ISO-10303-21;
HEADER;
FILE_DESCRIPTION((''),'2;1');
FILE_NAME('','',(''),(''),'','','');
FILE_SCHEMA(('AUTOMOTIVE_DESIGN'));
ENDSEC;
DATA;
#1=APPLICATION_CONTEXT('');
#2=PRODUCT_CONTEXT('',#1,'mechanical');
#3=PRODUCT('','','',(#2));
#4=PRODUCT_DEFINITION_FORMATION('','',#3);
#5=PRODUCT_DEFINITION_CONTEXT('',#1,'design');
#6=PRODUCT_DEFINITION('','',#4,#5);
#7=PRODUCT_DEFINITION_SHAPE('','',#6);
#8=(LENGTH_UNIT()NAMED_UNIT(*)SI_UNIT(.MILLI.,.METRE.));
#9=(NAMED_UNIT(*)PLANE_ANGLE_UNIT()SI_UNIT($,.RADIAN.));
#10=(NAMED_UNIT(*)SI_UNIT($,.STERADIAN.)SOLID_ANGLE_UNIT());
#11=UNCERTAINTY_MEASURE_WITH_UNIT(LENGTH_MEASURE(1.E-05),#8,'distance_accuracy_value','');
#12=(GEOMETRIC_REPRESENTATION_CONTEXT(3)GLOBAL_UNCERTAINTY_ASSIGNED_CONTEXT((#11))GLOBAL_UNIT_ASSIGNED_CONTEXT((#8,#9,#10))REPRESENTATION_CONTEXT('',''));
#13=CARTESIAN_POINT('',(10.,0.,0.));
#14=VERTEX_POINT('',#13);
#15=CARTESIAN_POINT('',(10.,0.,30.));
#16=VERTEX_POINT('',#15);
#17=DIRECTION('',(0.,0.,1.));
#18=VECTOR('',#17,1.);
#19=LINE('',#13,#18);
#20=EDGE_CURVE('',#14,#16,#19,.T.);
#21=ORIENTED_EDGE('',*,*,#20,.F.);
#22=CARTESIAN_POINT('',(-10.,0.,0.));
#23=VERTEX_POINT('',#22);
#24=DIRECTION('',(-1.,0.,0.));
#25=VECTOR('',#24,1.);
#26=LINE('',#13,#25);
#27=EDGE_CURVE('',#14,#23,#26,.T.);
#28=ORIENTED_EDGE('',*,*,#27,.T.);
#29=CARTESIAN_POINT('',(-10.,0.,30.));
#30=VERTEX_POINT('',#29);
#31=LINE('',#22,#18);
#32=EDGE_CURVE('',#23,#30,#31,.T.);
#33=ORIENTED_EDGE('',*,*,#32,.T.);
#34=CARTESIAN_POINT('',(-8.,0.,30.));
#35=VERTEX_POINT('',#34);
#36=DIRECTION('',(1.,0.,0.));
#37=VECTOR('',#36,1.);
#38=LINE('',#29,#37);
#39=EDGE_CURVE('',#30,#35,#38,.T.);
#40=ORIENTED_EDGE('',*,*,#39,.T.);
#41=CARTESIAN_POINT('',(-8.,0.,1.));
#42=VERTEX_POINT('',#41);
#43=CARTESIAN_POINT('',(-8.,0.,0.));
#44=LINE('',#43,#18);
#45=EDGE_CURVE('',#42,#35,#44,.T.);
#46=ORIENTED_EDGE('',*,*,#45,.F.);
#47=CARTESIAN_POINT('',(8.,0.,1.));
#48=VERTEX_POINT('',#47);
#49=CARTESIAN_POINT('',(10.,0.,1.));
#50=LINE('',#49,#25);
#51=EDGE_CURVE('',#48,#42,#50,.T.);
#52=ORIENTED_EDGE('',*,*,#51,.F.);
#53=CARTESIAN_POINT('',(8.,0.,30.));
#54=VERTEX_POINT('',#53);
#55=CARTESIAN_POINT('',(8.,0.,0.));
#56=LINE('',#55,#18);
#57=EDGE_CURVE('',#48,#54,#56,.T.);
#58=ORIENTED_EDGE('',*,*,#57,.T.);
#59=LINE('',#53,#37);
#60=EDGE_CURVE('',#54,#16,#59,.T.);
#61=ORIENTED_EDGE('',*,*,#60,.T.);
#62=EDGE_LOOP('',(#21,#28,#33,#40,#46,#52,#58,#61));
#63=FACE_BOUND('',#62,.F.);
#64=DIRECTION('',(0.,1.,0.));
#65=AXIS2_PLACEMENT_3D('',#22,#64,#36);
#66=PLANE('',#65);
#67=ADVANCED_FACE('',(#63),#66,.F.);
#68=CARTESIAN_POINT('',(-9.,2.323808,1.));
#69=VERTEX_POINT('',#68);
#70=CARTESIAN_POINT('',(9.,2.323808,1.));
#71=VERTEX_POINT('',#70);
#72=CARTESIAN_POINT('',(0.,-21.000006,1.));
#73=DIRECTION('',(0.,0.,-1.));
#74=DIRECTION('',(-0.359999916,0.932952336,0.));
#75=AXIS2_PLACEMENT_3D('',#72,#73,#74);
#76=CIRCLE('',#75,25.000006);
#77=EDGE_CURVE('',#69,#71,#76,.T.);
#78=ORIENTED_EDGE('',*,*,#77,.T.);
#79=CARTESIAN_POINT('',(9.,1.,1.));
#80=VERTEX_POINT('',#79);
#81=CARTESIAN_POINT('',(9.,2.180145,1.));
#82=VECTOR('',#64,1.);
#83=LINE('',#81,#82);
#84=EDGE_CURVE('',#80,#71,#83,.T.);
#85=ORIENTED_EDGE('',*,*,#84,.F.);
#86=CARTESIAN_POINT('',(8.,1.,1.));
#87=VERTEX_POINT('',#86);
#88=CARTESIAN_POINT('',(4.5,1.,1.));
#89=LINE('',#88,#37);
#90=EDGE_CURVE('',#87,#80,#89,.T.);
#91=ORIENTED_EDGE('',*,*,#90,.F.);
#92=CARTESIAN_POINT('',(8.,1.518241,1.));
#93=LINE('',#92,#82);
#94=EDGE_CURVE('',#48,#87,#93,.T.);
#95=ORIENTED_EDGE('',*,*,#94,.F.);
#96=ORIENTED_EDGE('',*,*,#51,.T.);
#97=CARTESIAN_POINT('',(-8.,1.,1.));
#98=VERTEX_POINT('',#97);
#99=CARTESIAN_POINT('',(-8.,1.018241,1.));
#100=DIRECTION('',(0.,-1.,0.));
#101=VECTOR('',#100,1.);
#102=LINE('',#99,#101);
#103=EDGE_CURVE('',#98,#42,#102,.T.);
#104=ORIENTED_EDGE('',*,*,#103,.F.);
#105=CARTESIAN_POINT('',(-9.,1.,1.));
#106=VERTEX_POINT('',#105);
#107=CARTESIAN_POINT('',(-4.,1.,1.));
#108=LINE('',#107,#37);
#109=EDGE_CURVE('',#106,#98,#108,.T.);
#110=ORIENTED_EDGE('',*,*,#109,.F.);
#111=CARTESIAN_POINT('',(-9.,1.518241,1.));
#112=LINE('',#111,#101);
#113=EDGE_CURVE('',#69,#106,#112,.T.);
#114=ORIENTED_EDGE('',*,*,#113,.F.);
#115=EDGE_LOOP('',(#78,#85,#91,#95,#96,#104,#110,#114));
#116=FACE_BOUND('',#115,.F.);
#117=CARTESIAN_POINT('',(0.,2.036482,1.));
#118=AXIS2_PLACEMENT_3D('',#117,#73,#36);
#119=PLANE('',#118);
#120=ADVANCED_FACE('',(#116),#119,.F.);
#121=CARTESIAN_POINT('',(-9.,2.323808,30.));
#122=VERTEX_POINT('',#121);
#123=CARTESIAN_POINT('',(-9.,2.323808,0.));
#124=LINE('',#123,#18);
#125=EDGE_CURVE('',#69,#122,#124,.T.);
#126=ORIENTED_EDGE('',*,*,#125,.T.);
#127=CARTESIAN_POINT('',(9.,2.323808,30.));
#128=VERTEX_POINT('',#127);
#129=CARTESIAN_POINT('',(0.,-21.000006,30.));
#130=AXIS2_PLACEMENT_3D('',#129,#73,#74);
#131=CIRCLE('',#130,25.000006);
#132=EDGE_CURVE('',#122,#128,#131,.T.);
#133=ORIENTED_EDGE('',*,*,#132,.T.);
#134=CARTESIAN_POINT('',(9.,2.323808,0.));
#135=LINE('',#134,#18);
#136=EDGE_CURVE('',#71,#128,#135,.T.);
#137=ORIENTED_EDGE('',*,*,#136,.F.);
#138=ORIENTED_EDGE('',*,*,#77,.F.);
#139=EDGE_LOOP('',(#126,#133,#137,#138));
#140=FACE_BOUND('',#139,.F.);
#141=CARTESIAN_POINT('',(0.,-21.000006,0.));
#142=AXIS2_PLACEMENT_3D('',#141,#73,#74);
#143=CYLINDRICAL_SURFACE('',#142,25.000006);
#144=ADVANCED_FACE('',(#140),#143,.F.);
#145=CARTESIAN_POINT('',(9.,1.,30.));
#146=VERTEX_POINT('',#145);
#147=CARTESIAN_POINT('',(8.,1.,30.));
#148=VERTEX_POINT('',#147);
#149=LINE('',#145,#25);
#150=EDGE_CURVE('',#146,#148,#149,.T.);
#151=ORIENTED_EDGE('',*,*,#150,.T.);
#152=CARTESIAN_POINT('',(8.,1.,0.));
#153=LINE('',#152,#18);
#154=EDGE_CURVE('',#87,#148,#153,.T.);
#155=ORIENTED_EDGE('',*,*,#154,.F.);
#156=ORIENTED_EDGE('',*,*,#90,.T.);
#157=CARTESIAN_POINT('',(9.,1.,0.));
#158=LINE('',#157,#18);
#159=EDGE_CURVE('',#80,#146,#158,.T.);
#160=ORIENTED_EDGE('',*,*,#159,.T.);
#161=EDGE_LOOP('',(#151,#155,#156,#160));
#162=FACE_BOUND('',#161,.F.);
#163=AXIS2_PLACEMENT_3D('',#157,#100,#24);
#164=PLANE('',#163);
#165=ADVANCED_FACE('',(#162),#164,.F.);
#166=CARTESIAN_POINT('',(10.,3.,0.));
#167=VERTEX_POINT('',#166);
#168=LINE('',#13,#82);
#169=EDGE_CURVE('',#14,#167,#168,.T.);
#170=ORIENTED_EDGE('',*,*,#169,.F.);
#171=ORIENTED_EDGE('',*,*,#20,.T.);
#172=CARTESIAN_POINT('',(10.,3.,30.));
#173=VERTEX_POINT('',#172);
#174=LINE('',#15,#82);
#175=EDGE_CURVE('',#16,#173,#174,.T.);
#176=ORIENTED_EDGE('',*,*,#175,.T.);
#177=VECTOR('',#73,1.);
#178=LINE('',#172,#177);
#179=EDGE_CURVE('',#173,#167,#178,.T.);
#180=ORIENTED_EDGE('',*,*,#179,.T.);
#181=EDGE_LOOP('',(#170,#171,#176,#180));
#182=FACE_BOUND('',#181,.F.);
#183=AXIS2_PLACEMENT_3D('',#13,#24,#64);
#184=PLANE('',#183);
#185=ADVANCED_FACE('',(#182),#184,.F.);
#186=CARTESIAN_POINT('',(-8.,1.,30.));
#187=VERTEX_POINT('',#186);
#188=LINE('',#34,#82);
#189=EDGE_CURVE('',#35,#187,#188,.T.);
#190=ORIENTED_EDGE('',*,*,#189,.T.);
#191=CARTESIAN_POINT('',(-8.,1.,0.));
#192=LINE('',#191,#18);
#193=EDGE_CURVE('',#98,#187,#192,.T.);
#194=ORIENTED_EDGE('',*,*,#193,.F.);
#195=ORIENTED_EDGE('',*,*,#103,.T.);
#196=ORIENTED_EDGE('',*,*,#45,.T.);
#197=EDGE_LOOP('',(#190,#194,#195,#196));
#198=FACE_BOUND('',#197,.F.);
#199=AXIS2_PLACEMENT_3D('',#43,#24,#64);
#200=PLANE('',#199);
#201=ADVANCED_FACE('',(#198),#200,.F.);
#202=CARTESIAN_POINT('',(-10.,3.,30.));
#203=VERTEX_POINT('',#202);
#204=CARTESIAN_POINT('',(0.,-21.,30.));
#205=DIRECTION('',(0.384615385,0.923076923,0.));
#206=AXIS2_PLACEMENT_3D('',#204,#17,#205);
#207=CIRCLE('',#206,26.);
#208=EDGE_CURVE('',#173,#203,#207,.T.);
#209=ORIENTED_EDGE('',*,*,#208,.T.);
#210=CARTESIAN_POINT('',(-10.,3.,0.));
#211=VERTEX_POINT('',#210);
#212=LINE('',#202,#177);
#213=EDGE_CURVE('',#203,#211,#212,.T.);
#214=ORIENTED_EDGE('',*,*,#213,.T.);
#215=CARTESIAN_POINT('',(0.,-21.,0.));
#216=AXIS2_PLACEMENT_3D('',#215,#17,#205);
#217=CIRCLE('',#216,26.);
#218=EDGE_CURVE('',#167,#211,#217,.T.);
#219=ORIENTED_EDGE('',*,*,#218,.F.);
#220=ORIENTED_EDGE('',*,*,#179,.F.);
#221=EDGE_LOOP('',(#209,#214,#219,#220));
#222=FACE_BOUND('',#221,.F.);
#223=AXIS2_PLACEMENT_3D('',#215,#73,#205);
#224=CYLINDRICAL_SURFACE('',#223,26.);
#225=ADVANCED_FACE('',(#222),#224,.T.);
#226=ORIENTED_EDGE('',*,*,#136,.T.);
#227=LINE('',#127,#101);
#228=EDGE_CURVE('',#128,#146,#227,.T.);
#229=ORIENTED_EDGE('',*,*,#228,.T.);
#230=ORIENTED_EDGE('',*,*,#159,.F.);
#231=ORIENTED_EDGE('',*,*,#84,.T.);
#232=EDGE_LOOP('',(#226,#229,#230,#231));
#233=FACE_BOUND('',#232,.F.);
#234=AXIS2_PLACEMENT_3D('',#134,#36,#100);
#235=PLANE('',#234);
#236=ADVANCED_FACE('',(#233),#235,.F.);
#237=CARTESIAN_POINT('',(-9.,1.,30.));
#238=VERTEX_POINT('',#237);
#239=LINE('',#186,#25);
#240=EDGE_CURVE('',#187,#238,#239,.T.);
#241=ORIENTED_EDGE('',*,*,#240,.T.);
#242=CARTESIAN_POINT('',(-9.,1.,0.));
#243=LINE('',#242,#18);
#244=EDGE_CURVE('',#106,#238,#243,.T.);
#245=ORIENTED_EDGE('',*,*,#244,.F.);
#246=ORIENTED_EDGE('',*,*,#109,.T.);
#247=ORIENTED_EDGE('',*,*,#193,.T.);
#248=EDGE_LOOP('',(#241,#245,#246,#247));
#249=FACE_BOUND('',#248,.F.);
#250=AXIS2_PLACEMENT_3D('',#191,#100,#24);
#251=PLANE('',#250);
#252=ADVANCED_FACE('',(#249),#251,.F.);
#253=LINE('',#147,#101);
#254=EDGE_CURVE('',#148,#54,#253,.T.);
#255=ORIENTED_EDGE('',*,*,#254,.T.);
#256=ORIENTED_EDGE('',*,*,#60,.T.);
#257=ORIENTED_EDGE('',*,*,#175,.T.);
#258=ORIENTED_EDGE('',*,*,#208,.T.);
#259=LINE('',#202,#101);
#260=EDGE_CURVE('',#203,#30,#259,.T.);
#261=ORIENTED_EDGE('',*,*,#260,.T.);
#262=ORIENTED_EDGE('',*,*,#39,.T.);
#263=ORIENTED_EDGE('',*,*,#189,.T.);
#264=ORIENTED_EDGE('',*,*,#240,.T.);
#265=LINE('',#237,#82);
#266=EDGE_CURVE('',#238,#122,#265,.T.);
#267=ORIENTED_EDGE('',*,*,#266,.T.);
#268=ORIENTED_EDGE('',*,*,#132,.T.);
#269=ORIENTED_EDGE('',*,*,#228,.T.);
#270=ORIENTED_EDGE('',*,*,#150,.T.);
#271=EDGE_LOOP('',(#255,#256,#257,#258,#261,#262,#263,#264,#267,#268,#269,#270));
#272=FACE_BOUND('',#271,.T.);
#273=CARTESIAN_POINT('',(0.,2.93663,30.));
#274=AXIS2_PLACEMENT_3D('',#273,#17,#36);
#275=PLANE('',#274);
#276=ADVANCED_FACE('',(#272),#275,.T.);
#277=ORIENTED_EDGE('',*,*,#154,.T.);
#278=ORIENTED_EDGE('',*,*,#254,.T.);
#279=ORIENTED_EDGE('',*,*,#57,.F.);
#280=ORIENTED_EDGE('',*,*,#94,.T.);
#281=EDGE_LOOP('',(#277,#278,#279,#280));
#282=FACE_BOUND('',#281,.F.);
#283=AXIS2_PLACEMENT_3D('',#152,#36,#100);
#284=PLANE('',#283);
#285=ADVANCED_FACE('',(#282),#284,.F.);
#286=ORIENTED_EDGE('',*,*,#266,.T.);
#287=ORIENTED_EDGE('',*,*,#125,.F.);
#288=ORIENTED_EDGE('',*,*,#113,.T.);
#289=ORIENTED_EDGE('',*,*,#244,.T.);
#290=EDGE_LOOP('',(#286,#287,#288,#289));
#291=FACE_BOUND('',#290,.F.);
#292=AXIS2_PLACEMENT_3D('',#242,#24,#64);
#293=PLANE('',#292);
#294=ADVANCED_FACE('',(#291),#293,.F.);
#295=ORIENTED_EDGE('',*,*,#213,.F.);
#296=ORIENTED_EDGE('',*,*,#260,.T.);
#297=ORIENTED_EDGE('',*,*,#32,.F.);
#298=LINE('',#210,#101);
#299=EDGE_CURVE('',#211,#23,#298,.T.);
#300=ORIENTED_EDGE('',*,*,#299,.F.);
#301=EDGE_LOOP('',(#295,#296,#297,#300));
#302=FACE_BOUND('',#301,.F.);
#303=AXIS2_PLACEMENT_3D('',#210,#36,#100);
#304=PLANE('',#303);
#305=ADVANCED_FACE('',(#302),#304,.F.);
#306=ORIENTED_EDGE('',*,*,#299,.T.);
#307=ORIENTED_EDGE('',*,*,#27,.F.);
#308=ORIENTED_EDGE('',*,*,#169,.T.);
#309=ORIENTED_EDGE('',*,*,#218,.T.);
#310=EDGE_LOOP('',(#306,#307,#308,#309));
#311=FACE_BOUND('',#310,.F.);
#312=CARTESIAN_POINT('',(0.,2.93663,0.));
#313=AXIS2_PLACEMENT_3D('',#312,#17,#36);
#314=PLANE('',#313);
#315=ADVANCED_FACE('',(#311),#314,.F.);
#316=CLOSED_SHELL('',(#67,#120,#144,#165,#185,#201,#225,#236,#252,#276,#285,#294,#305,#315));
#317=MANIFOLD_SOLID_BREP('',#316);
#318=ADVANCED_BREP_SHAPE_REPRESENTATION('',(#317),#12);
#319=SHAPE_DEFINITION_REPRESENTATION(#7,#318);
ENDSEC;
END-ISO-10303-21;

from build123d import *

# Parameters (mm, degrees)
F1_DEPTH = 30
F3_DEPTH = 1


with BuildPart() as f1:
    # F0 (on Top) → F1 (new body)
    with BuildSketch(Plane.XY):
        with BuildLine():
            Line((-10, 3), (-10, 0))
            Line((-10, 0), (-8, 0))
            Line((-8, 0), (-8, 1))
            Line((-8, 1), (-9, 1))
            Line((-9, 1), (-9, 2.323808))
            ThreePointArc((-9, 2.323808), (0, 4), (9, 2.323808))
            Line((9, 2.323808), (9, 1))
            Line((9, 1), (8, 1))
            Line((8, 1), (8, 0))
            Line((8, 0), (10, 0))
            Line((10, 0), (10, 3))
            ThreePointArc((10, 3), (0, 5), (-10, 3))
        make_face()
    extrude(amount=F1_DEPTH)

    # F2 (on face) → F3 (join)
    with BuildSketch(Plane(origin=(0, 0, 0), x_dir=(1, 0, 0), z_dir=(0, 0, -1))):
        with BuildLine():
            Line((10, 0), (-10, 0))
            Line((-10, 0), (-10, -3))
            ThreePointArc((-10, -3), (0, -5), (10, -3))
            Line((10, -3), (10, 0))
        make_face()
    extrude(amount=-F3_DEPTH)


solid = f1.part
